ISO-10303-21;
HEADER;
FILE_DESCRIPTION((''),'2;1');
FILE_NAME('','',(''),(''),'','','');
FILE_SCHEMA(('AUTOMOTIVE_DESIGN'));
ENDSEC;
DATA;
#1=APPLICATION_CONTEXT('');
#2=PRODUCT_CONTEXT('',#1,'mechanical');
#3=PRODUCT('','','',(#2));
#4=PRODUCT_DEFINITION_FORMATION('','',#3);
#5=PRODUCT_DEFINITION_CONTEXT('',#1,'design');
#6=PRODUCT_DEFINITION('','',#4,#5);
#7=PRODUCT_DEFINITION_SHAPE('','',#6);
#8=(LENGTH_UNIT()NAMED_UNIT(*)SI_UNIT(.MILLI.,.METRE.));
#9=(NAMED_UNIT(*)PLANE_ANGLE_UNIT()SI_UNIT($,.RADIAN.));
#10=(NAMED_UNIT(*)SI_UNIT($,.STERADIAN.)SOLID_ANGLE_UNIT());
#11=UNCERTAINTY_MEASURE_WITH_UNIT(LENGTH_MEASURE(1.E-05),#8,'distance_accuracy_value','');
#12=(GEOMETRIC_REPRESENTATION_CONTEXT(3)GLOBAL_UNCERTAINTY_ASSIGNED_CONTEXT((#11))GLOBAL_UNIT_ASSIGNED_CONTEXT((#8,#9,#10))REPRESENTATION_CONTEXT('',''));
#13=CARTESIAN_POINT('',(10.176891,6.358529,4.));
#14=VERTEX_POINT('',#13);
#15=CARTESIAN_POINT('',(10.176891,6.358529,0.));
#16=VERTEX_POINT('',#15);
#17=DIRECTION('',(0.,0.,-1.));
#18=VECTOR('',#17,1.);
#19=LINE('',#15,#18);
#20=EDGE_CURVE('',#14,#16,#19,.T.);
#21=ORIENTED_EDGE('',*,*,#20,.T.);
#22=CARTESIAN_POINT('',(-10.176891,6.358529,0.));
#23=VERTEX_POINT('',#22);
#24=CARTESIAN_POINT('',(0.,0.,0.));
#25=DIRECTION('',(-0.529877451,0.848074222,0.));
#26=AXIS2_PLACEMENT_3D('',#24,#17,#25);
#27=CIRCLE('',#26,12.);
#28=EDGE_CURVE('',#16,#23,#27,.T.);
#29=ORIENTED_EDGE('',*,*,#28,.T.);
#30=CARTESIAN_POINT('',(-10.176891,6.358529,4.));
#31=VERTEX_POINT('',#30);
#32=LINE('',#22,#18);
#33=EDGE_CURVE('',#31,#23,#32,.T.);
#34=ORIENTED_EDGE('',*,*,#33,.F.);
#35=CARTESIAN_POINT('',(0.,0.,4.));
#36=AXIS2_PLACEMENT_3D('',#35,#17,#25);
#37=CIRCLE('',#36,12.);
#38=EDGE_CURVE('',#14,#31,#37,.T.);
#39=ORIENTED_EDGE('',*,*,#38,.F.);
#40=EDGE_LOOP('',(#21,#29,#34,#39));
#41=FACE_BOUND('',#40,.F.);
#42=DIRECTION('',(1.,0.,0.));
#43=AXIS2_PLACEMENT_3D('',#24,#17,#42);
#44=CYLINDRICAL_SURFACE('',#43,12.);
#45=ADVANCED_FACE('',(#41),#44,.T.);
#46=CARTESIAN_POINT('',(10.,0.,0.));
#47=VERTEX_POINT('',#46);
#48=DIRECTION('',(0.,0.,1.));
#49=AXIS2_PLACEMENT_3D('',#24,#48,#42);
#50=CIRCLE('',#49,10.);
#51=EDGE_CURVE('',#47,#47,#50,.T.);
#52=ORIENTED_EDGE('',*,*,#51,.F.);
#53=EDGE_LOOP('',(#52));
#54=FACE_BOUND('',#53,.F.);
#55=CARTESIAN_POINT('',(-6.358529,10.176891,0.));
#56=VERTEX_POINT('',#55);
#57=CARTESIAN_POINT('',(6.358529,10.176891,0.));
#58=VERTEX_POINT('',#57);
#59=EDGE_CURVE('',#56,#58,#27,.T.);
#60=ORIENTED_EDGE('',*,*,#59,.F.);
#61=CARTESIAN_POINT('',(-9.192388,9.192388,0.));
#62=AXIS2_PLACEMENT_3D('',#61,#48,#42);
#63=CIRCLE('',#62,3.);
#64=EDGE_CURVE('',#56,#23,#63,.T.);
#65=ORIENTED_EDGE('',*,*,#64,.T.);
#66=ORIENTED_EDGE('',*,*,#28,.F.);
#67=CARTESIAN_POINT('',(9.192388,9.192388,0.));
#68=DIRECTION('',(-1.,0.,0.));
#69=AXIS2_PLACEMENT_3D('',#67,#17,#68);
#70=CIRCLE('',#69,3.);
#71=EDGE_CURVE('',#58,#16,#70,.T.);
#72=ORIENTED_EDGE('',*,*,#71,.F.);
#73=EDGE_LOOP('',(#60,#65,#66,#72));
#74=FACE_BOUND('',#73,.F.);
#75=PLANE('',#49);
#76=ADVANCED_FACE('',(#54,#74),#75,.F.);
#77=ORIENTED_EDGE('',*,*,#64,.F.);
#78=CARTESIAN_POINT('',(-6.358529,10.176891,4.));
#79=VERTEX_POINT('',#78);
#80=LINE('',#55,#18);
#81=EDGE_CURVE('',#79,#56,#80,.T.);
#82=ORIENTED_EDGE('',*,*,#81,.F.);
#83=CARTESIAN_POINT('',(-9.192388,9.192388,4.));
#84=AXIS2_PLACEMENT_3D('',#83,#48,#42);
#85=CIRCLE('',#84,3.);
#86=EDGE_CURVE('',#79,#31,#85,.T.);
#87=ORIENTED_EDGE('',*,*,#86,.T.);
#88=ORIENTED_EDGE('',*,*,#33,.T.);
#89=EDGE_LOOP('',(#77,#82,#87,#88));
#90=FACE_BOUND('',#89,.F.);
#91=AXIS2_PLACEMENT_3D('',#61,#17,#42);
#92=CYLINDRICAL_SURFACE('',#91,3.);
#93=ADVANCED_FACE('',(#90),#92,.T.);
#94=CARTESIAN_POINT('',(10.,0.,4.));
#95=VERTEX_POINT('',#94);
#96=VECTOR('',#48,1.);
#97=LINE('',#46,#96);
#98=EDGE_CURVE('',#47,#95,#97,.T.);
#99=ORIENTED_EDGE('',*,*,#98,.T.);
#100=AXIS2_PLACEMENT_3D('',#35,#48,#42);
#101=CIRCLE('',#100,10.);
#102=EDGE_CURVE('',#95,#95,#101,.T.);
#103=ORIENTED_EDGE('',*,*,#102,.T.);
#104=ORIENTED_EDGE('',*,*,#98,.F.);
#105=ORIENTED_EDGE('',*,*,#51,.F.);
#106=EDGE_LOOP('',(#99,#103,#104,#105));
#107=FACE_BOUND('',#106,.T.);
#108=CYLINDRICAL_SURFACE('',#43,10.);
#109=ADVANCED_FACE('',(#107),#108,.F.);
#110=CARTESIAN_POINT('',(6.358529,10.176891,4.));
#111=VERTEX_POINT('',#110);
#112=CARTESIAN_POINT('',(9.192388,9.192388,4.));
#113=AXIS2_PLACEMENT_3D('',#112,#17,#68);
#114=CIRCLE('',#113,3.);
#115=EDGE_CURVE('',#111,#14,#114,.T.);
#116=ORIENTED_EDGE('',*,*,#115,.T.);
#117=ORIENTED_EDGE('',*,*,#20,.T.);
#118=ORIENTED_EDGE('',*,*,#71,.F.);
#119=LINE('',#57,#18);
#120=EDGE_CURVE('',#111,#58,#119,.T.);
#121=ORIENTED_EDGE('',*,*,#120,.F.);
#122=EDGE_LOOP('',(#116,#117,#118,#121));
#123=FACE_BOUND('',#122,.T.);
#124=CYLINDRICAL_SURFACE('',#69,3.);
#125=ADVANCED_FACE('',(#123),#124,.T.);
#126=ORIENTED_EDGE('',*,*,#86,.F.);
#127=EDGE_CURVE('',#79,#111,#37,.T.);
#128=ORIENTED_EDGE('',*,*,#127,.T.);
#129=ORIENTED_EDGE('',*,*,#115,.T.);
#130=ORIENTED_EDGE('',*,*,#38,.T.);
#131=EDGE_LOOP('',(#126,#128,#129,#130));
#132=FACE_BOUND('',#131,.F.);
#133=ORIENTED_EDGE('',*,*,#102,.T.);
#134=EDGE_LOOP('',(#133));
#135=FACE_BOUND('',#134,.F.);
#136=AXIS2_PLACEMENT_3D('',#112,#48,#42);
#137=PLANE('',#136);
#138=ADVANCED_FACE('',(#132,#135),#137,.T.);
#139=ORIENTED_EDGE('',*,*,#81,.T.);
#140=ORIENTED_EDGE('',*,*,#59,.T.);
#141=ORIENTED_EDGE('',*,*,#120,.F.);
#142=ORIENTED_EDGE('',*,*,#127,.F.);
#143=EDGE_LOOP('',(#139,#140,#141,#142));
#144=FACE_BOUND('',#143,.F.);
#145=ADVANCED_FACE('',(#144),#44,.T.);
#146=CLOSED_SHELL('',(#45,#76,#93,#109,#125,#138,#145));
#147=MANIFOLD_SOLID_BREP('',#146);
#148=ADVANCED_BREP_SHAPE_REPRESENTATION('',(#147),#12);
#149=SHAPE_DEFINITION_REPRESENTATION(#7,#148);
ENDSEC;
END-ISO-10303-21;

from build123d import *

# Parameters (mm, degrees)
SKETCH_R     = 12
SKETCH_R_2   = 10
PAD_DEPTH    = 4
SKETCH001_R  = 3
PAD001_DEPTH = 4


with BuildPart() as part:
    # Sketch → Pad (new body)
    with BuildSketch(Plane.XY):
        Circle(SKETCH_R)
        Circle(SKETCH_R_2, mode=Mode.SUBTRACT)
    extrude(amount=PAD_DEPTH)

    # Sketch001 → Pad001 (join)
    with BuildSketch(Plane.XY):
        with Locations((-9.192388, 9.192388)):
            Circle(SKETCH001_R)
    pad001 = extrude(amount=PAD001_DEPTH)

    # Mirrored: Pad001 across YZ
    add(pad001.mirror(Plane.YZ))


solid = part.part
